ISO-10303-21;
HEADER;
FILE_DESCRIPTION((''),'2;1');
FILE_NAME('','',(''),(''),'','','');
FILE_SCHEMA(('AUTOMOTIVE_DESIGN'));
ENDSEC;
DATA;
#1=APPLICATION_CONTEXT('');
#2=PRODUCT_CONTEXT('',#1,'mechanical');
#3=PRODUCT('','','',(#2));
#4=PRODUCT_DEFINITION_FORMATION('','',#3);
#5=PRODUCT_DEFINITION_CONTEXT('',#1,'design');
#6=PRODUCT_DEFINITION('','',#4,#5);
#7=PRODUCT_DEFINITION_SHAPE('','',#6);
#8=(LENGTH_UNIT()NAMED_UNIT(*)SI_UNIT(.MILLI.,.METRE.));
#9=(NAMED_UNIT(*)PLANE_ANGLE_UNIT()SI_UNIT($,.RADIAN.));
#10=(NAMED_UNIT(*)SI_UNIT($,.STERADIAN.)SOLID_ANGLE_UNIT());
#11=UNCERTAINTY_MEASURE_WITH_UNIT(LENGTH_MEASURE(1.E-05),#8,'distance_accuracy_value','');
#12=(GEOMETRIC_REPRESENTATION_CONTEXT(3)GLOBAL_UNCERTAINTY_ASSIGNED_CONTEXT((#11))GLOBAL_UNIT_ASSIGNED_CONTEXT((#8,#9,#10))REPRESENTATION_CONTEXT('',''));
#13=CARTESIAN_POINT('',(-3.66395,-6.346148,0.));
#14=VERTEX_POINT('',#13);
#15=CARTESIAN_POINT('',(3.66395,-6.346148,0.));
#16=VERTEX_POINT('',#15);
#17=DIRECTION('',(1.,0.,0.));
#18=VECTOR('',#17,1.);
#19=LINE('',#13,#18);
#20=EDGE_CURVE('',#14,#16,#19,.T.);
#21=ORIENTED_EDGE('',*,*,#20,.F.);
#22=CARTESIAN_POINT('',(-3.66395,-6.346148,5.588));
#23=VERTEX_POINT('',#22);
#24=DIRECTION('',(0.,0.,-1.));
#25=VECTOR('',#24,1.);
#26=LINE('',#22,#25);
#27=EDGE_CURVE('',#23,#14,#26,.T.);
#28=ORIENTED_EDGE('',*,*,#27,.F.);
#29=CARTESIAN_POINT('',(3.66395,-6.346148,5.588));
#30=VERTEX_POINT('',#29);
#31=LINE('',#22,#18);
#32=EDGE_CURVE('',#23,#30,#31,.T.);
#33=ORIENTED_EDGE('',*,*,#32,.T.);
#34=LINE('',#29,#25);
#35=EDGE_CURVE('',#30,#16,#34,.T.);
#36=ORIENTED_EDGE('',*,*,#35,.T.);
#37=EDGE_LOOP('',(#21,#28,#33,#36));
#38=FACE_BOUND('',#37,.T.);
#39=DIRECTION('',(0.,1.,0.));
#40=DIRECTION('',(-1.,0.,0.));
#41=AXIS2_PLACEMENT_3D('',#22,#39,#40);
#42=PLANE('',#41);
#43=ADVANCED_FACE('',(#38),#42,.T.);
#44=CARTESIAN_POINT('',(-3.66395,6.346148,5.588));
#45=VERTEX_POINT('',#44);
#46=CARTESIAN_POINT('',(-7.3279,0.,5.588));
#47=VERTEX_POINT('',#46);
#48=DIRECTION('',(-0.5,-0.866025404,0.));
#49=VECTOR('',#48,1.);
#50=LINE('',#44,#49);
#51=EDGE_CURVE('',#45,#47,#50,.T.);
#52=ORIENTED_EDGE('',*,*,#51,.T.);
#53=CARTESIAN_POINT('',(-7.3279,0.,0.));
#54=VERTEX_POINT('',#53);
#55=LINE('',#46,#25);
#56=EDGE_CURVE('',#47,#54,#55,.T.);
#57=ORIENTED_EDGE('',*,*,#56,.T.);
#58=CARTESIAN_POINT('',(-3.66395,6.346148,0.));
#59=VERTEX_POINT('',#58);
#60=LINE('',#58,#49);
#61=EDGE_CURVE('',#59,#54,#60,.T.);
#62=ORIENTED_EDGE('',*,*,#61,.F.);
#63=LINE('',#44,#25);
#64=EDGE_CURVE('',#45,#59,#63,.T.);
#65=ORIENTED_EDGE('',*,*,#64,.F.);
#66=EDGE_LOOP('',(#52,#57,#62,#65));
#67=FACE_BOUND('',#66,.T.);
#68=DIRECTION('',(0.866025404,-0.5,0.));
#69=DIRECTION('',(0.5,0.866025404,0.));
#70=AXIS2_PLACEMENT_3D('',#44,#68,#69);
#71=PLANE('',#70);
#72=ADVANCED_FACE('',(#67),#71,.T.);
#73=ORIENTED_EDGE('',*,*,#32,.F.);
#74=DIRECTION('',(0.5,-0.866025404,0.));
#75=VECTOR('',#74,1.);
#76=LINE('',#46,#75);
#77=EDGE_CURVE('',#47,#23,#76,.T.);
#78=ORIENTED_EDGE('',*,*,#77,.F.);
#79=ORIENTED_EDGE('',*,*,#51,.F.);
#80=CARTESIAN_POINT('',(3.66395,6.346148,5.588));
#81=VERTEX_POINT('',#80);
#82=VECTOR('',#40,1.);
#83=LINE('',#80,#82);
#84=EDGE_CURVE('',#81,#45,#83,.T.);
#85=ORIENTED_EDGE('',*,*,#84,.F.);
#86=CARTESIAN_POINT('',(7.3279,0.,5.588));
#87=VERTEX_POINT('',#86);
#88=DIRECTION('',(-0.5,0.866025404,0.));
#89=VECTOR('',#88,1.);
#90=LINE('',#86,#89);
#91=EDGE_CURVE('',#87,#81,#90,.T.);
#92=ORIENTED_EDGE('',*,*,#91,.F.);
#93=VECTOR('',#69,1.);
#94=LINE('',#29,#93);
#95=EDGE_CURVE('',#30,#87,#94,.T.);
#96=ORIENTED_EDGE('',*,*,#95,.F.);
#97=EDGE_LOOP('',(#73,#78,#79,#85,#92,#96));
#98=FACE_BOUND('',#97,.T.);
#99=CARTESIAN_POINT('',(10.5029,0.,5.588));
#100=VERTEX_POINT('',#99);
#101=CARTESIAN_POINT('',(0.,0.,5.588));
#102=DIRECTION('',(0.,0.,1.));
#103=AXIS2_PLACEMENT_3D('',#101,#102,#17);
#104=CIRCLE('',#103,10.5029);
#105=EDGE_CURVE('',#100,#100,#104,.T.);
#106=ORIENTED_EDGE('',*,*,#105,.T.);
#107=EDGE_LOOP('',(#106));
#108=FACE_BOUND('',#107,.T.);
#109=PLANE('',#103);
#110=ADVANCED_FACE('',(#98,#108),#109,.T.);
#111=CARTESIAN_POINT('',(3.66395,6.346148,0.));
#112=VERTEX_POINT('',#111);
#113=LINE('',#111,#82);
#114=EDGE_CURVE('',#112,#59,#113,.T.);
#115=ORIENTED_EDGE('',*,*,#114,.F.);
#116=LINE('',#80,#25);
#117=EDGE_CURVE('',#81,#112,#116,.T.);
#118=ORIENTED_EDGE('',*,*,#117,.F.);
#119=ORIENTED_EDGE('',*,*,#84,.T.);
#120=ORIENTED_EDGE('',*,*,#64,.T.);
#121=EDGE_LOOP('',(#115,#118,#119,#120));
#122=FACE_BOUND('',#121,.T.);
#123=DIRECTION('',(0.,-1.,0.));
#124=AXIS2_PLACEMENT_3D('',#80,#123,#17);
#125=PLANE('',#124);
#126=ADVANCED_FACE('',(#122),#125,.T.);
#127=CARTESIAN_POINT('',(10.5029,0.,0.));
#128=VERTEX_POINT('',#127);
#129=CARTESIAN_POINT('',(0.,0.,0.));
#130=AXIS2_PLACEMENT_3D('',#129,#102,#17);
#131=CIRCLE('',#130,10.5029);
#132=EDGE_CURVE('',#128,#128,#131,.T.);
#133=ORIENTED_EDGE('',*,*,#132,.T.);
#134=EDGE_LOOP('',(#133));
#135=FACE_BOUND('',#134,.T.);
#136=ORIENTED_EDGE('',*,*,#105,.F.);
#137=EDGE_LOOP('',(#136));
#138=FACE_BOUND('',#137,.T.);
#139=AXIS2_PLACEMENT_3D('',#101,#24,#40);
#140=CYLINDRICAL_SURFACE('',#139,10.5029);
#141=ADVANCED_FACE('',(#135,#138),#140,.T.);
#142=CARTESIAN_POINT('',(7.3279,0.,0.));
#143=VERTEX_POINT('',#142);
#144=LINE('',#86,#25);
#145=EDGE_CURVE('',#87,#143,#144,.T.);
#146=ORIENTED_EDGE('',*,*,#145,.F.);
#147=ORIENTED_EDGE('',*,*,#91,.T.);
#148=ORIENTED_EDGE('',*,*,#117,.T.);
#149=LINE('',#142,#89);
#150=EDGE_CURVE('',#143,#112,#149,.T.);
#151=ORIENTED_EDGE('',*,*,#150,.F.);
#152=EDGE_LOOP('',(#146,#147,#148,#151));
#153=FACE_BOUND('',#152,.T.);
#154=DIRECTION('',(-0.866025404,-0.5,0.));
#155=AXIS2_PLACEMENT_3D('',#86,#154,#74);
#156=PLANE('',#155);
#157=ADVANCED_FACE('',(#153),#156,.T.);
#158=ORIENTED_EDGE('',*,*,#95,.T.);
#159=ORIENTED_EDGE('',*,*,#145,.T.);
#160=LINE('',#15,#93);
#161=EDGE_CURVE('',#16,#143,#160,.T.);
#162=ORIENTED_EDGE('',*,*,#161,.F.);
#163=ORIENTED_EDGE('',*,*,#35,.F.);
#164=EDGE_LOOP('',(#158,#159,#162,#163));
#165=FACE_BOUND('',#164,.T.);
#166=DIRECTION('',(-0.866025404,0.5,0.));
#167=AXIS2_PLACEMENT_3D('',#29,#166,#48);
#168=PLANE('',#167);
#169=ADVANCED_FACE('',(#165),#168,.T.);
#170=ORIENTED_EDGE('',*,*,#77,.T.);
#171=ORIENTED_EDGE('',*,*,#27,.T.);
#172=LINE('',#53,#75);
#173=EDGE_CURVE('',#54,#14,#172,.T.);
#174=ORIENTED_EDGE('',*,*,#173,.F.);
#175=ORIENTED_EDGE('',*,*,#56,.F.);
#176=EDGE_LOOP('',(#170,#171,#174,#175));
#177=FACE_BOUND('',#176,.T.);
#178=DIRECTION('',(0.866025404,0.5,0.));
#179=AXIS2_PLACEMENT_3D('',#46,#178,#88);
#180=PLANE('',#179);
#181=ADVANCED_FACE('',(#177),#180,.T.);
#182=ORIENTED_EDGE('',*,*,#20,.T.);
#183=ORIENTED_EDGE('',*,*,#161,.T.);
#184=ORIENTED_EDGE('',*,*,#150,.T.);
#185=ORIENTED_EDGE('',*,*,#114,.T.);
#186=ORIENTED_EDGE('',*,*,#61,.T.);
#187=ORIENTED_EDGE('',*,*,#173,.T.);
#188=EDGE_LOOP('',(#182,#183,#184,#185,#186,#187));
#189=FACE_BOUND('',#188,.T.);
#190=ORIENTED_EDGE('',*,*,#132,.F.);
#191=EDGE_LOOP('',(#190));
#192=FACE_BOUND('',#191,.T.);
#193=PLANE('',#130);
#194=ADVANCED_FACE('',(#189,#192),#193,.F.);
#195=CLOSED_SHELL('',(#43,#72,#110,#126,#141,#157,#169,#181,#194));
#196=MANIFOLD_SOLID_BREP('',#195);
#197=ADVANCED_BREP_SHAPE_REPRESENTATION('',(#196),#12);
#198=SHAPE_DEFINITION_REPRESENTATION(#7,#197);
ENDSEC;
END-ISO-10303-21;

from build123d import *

# Parameters (mm, degrees)
SKETCH1_R           = 10.5029
BOSS_EXTRUDE1_DEPTH = 5.588


with BuildPart() as part:
    # Sketch1 → Boss-Extrude1 (new body)
    with BuildSketch(Plane.XY):
        Circle(SKETCH1_R)
        Polygon((-7.3279, 0), (-3.66395, -6.346147556), (3.66395, -6.346147556), (7.3279, 0), (3.66395, 6.346147556), (-3.66395, 6.346147556), align=None, mode=Mode.SUBTRACT)
    extrude(amount=BOSS_EXTRUDE1_DEPTH)


solid = part.part
